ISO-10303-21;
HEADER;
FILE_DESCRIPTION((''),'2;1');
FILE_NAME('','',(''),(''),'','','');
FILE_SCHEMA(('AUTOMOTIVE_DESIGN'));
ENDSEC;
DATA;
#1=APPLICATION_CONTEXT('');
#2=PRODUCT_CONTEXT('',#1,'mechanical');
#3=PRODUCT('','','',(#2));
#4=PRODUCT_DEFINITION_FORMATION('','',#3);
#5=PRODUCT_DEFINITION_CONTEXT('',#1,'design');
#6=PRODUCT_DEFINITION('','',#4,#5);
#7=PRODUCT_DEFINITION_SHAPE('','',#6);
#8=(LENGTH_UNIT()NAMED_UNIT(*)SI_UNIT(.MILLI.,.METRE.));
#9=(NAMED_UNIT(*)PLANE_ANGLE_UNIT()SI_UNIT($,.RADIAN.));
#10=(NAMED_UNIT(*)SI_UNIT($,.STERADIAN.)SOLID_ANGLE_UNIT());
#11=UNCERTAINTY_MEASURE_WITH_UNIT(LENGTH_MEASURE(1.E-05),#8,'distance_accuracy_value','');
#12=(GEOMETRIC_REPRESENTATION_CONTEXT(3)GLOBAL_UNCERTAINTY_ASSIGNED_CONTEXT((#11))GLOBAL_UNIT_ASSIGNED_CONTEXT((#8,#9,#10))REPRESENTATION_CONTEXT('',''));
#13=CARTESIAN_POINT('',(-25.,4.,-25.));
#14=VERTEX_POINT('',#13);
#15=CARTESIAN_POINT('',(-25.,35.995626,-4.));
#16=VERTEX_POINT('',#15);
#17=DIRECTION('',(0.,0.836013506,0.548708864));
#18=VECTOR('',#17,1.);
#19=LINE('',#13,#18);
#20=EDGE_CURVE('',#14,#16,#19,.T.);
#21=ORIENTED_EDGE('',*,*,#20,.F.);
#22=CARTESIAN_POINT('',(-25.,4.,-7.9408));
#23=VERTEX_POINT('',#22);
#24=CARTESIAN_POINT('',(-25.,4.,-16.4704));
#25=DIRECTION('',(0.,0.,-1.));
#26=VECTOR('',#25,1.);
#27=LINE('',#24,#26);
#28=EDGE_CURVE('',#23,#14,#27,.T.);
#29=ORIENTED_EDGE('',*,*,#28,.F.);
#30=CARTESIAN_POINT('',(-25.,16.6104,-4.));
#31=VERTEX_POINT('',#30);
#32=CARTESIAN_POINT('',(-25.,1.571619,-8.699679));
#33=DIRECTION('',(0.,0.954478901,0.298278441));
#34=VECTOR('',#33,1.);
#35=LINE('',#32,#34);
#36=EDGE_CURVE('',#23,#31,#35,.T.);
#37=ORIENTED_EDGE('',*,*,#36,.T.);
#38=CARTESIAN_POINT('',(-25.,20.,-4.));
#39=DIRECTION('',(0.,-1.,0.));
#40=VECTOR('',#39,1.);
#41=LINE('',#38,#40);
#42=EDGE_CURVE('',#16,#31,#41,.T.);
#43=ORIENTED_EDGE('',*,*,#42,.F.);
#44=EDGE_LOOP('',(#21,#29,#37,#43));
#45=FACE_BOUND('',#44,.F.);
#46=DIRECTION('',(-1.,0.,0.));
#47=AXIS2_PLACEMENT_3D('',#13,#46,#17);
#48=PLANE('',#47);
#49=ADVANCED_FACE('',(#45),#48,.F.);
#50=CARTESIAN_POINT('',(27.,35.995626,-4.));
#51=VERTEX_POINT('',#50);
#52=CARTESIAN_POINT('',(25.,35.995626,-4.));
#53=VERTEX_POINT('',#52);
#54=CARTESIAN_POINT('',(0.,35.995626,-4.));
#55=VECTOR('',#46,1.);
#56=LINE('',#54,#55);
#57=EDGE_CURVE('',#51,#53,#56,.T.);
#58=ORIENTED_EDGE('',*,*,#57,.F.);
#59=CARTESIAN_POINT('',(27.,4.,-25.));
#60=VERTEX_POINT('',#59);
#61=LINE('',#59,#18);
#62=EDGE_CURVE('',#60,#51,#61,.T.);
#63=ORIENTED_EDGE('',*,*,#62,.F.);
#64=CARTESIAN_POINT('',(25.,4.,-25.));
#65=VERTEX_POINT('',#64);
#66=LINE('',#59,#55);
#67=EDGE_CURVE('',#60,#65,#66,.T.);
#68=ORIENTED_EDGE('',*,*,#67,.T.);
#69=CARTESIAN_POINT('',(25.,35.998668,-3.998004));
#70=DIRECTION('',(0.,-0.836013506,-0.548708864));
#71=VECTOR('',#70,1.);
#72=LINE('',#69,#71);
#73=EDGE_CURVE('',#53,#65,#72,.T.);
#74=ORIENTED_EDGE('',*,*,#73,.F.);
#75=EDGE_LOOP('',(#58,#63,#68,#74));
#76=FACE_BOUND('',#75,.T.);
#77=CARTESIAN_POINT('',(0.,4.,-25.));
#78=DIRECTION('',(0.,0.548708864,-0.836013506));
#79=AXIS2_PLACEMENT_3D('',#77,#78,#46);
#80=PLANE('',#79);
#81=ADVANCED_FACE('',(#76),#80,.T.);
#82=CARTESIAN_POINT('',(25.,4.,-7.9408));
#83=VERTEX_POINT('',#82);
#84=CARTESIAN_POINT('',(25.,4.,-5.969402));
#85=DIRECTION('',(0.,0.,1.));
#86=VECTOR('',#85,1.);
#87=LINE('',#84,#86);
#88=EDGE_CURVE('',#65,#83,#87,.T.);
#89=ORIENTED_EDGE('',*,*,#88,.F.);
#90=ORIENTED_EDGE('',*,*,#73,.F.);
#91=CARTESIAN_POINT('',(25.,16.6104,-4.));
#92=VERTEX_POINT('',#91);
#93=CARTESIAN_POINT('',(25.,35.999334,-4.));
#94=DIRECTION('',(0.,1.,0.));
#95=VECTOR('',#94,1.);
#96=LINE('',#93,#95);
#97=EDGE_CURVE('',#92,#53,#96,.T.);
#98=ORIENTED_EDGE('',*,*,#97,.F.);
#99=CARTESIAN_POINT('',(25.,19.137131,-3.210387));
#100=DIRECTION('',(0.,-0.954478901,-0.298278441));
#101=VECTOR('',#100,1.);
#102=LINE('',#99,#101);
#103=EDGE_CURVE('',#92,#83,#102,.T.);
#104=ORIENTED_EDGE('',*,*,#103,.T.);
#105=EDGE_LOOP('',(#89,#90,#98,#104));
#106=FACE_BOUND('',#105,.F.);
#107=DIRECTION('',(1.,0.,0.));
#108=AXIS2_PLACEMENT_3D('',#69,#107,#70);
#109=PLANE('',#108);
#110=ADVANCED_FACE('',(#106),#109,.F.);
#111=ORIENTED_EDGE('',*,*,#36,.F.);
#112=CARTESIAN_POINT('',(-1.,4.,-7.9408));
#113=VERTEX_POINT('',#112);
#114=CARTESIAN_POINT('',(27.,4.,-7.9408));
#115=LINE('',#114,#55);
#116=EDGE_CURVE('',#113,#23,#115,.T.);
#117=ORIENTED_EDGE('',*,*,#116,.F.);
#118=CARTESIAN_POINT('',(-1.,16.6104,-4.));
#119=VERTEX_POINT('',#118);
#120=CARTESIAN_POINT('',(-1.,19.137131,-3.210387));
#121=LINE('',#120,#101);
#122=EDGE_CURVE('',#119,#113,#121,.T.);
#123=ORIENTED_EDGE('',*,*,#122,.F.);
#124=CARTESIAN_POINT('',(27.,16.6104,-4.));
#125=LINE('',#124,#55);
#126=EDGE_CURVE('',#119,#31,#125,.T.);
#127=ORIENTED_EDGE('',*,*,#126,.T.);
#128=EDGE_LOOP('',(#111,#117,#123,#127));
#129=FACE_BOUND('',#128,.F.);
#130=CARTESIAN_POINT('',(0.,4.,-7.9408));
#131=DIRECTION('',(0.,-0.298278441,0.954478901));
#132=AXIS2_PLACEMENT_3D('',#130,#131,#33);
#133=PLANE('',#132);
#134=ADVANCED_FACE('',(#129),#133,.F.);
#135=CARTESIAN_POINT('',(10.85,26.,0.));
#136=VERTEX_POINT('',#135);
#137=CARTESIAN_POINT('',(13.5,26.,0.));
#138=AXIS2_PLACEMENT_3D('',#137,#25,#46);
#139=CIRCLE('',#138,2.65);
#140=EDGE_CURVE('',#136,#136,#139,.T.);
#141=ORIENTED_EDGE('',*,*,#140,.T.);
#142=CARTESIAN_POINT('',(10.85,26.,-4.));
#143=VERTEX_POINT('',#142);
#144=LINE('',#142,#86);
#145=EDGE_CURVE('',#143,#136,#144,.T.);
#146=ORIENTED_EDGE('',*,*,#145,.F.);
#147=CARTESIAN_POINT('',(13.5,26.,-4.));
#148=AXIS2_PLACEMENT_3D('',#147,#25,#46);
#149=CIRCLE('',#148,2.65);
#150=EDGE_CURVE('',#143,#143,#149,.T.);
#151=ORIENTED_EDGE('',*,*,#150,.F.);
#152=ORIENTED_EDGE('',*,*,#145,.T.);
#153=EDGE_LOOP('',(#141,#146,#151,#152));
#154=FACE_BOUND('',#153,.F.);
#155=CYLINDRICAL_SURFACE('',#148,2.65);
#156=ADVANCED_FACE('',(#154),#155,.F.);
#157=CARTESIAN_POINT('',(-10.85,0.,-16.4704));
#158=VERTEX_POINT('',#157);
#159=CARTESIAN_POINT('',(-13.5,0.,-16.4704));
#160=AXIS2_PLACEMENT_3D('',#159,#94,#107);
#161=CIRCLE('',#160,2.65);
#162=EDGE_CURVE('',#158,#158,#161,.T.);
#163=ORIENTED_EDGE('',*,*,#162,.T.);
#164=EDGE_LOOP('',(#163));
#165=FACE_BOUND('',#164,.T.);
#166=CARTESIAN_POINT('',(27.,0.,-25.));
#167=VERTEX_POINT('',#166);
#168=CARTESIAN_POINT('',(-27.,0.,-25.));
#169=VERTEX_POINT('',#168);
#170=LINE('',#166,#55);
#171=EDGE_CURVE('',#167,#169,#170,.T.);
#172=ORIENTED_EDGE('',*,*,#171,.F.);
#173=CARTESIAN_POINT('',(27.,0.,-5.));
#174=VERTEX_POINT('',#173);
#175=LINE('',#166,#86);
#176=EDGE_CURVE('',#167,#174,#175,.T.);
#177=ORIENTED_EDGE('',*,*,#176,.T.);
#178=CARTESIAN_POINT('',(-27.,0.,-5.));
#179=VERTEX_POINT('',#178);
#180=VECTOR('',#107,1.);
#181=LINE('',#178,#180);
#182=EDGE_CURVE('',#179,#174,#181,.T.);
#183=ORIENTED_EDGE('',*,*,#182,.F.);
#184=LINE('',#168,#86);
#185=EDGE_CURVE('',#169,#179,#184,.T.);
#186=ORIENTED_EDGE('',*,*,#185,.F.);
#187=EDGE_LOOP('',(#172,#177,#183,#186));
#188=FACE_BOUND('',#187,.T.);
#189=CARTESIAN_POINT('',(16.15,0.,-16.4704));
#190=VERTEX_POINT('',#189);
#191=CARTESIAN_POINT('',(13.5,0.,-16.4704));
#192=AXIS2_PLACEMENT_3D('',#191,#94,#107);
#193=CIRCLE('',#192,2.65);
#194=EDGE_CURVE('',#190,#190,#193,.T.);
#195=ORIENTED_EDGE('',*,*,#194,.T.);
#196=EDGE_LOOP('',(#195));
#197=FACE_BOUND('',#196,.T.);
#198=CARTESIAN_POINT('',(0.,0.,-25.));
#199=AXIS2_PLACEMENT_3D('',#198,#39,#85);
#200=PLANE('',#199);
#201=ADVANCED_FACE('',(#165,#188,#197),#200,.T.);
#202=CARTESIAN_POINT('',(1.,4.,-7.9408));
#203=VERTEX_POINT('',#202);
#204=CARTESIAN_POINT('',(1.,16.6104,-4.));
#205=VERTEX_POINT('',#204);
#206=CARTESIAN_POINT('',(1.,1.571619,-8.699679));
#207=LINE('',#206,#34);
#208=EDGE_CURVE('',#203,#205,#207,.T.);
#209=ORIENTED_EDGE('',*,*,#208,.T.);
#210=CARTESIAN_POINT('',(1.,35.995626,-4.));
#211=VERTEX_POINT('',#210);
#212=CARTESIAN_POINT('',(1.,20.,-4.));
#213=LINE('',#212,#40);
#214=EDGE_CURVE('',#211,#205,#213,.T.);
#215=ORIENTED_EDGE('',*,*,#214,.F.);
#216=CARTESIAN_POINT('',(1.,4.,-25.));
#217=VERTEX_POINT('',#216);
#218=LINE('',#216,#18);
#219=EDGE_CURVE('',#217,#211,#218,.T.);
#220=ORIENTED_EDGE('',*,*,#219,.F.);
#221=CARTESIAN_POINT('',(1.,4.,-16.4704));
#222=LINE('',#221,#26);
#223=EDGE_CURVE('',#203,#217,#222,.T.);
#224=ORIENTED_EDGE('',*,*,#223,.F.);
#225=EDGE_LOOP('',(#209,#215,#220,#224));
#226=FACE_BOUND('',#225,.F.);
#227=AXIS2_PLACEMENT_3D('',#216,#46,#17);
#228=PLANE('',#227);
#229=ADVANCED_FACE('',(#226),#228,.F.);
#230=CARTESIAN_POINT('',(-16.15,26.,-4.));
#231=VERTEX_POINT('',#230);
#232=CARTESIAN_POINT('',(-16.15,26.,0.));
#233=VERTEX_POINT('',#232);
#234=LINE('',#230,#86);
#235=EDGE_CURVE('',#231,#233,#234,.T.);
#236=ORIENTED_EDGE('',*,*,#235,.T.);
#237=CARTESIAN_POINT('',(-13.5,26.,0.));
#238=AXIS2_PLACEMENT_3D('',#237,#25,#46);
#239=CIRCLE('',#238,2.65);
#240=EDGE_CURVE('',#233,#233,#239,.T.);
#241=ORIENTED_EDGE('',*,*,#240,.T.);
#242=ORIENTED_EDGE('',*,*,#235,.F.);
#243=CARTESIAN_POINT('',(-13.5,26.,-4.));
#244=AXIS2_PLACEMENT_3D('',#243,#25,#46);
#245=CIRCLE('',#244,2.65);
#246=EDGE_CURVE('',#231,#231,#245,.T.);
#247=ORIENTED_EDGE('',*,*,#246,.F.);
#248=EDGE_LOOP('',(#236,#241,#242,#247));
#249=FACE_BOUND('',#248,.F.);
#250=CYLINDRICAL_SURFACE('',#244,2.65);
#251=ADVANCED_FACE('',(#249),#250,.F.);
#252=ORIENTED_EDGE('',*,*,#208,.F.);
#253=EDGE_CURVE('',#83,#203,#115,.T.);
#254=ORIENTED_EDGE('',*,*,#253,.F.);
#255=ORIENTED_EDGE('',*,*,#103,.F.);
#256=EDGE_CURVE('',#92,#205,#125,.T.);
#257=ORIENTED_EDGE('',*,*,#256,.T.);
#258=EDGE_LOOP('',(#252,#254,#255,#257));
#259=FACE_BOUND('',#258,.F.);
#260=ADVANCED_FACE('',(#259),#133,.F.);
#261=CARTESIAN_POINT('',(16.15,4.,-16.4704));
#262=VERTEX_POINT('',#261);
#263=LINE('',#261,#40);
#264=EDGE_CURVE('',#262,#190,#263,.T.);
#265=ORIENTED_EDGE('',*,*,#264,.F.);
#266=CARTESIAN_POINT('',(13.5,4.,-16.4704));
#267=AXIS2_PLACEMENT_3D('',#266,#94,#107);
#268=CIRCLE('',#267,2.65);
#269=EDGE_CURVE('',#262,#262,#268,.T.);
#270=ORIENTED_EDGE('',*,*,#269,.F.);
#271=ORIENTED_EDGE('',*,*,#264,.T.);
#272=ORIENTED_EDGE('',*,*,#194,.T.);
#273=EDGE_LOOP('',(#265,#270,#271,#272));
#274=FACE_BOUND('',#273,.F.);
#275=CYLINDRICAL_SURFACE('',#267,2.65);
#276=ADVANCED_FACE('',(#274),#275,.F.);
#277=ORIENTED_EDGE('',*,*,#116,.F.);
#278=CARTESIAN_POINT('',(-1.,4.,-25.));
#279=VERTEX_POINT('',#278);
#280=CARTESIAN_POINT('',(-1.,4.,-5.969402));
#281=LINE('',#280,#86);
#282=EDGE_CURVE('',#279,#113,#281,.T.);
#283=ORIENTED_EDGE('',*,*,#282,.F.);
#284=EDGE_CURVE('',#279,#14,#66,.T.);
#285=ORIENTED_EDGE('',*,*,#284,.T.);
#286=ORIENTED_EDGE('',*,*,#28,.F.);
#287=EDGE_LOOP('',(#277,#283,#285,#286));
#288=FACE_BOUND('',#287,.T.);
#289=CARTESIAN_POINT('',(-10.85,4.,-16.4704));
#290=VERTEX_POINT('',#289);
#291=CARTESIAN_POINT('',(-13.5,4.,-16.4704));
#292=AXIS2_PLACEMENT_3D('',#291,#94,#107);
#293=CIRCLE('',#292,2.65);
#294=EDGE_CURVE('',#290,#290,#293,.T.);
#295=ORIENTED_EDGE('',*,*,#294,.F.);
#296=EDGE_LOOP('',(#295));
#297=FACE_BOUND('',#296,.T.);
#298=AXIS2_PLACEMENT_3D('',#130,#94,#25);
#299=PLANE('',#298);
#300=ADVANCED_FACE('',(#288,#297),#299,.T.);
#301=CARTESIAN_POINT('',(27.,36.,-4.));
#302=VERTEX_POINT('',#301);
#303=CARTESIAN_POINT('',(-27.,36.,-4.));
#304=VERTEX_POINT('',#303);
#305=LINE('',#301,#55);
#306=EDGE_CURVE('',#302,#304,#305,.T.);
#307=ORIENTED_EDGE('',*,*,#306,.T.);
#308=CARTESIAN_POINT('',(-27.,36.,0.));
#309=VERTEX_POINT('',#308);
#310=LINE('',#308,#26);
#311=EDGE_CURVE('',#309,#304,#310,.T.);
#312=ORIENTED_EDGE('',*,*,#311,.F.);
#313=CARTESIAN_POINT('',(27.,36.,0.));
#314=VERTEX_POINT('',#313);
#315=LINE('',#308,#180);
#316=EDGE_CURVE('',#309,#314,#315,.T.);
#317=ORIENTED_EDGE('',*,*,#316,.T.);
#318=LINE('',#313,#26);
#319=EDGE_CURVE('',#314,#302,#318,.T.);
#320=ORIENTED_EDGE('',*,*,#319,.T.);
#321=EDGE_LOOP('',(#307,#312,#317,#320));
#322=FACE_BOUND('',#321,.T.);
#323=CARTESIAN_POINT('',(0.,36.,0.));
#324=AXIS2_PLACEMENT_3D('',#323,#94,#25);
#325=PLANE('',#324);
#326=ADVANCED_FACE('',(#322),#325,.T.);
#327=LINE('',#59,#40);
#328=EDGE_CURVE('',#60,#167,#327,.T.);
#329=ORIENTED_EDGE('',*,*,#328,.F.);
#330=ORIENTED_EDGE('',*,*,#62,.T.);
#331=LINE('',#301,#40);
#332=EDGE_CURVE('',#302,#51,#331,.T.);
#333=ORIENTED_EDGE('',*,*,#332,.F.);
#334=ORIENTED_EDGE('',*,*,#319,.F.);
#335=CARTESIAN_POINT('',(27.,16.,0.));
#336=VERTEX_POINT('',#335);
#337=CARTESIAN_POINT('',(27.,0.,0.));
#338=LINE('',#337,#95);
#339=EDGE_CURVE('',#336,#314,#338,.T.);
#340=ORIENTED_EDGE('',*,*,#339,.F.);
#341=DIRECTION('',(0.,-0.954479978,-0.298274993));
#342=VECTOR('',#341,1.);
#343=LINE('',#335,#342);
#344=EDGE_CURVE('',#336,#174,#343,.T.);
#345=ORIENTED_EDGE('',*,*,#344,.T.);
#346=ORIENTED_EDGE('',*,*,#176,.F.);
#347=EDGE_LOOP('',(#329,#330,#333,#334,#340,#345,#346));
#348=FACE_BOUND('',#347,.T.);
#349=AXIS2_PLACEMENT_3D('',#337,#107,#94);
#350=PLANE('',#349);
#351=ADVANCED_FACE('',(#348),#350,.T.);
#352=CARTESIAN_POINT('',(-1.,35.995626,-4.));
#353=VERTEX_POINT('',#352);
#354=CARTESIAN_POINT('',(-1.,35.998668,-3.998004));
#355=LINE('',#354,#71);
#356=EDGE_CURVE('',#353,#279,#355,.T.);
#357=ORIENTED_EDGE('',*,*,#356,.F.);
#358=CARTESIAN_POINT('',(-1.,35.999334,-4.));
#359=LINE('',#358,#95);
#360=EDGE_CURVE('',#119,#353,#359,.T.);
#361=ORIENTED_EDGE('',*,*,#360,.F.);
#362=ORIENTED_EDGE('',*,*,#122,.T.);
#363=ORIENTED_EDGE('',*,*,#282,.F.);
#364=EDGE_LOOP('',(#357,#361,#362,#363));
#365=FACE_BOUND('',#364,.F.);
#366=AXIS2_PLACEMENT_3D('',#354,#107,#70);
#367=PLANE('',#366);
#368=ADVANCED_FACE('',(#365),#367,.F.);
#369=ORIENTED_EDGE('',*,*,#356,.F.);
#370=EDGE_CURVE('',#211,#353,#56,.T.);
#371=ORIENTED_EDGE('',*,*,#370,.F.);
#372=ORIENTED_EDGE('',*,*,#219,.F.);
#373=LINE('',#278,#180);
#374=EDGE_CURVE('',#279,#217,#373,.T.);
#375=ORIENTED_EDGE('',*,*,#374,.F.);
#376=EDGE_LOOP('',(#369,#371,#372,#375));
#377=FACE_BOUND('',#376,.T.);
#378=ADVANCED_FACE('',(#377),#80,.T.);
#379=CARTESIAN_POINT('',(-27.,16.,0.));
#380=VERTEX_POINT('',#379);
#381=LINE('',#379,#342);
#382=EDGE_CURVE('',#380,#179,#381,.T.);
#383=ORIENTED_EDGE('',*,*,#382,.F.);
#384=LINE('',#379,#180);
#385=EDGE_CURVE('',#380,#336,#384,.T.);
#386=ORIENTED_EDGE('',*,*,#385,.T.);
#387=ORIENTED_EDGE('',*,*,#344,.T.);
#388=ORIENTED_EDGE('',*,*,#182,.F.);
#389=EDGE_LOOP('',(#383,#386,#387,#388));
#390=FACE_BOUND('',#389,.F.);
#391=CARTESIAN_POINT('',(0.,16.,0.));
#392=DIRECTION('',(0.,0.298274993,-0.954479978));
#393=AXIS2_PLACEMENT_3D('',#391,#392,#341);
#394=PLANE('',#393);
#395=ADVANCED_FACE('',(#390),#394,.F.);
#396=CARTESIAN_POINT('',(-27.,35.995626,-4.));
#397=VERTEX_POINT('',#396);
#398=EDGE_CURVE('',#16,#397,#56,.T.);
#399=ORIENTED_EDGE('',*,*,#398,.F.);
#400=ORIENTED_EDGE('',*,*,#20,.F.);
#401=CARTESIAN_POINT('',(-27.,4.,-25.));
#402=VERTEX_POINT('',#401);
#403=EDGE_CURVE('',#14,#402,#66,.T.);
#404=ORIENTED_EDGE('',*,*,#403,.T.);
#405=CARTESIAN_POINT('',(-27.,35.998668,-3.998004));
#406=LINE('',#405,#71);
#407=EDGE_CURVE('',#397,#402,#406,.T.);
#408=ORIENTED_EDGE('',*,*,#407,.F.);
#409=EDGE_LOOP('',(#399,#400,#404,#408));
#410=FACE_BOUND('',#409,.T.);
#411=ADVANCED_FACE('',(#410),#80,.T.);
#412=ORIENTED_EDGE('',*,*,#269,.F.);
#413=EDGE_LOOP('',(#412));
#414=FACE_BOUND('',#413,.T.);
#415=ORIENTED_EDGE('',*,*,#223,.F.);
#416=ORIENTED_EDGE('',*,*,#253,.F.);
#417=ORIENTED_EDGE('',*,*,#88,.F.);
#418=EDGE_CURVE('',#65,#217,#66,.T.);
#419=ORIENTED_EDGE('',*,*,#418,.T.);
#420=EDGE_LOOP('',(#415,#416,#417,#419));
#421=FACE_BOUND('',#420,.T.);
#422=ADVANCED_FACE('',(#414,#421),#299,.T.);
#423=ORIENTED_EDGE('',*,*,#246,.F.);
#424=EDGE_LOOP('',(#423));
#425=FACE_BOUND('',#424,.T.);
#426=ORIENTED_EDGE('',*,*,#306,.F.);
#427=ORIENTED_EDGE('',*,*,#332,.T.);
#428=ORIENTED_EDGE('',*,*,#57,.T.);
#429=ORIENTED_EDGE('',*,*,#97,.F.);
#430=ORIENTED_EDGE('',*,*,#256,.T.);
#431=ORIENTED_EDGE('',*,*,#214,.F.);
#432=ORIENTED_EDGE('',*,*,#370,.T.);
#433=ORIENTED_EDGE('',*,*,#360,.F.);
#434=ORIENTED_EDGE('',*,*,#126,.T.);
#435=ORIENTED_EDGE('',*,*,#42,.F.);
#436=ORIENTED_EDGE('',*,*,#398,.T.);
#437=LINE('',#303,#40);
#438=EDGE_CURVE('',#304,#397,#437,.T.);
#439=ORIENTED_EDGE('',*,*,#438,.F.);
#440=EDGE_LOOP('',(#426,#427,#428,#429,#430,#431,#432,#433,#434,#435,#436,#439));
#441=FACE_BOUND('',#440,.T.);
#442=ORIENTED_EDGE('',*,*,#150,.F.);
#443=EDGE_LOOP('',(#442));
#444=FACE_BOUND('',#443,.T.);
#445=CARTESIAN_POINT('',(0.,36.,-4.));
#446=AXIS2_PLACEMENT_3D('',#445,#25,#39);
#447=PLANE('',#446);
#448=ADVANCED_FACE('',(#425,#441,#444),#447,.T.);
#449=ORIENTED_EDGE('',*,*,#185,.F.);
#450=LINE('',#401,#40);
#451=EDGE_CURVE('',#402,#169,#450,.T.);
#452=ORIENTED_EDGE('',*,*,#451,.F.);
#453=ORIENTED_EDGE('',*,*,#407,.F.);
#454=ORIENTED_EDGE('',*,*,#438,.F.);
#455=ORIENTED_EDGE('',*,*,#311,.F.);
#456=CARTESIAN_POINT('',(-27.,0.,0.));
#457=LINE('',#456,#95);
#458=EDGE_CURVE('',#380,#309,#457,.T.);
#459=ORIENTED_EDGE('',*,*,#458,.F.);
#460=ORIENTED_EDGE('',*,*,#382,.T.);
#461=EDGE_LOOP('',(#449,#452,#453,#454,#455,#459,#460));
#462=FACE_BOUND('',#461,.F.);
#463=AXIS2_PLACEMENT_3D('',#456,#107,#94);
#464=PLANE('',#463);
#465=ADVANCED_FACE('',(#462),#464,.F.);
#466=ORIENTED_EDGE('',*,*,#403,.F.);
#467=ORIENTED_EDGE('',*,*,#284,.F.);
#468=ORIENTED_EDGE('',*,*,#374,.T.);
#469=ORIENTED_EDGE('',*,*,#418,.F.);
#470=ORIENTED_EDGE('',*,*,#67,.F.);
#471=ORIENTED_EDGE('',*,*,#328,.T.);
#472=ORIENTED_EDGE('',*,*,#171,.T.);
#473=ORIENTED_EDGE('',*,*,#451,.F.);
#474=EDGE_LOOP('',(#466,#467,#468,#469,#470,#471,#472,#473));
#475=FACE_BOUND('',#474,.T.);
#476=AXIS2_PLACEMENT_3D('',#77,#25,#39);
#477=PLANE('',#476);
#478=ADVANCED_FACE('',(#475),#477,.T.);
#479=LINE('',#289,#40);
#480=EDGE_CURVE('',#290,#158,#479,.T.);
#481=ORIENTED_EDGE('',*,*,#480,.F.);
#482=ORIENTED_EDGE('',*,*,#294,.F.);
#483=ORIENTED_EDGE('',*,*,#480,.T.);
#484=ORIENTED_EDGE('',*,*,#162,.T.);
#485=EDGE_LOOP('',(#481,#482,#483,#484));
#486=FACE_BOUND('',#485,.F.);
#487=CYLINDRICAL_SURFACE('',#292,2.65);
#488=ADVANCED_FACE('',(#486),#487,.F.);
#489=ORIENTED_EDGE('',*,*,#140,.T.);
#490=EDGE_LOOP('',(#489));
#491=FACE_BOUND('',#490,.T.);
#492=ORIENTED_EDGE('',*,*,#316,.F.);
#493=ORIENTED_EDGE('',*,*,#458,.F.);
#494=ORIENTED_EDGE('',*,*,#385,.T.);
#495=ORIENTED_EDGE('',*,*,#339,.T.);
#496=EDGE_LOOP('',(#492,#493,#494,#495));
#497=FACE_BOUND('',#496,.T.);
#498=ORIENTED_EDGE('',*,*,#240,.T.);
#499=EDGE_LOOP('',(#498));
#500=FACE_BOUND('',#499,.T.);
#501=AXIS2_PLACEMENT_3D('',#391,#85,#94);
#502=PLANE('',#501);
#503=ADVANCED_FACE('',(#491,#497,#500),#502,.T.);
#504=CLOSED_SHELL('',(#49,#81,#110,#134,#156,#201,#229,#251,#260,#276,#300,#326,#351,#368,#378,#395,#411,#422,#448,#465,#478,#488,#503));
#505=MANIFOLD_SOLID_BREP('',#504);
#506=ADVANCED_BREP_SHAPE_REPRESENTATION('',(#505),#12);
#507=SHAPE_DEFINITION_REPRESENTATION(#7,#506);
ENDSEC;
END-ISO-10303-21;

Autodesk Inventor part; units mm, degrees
ref_plane "YZ Plane" through (0, 0, 0) normal (1, 0, 0) x (0, 1, 0)
ref_plane "XZ Plane" through (0, 0, 0) normal (0, 1, 0) x (-1, 0, 0)
sketch "Sketch7" plane through (0, 0, 0) normal (1, 0, 0) x (0, 1, 0)
  line L0 (36, 0) -> (36, -4)
  line L1 (36, -4) -> (4, -25)
  line L2 (4, -25) -> (0, -25)
  line L3 (0, -25) -> (0, 0)
  line L4 (0, 0) -> (36, 0)
  line L5 (36, -4) -> (16.6104, -4)
  line L6 (4, -7.9408) -> (4, -25)
  line L7 (16, 0) -> (0, -5)
  line L8 (4, -7.9408) -> (16.6104, -4)
  dimension "d35" = 4
  dimension "d36" = 25
  dimension "d37" = 36
  dimension "d43" = 4
  dimension "d44" = 20
  dimension "d45" = 20
extrude "Extrusion6" add sketch "Sketch7" along normal mid plane 54 contours L0 L5 L8 L6 L2 L3 L7 L4
sketch "Sketch8" plane through (27, 36, -4) normal (0, 0, -1) x (-1, 0, 0)
  line L0 (0, -10) -> (13.5, -10) construction
  line L1 (13.5, -10) -> (27, -10) construction
  line L2 (27, -10) -> (40.5, -10) construction
  line L3 (40.5, -10) -> (54, -10) construction
  circle A0 centre (13.5, -10) radius 2.65
  circle A1 centre (40.5, -10) radius 2.65
  line L4 (0, -19.3896) -> (0, 0) projected
  line L5 (54, 0) -> (54, -19.3896) projected
  line L6 (54, 0) -> (0, 0) projected
  point P0 (27, -36)
  dimension "d46" = 5.3
  dimension "d55" = 10
extrude "Extrusion7" cut sketch "Sketch8" against normal through all
sketch "Sketch9" plane through (-27, 4, -7.9408) normal (0, 1, 0) x (1, 0, 0)
  line L0 (54, 17.0592) -> (54, 0) projected
  line L1 (54, 8.5296) -> (40.5, 8.5296) construction
  line L2 (40.5, 8.5296) -> (27, 8.5296) construction
  line L3 (27, 8.5296) -> (13.5, 8.5296) construction
  line L4 (13.5, 8.5296) -> (0, 8.5296) construction
  line L5 (0, 0) -> (0, 17.0592) projected
  circle A0 centre (40.5, 8.5296) radius 2.65
  circle A1 centre (13.5, 8.5296) radius 2.65
  point P0 (27, -7.9408)
  dimension "d49" = 5.3
extrude "Extrusion8" cut sketch "Sketch9" against normal blind 10
ref_plane "Work Plane4" through (0, 4, -25) normal (0, 0.5487, -0.836) x (-1, 0, 0)
sketch "Sketch10" plane through (0, 4, -25) normal (0, 0.5487, -0.836) x (-1, 0, 0)
  line L0 (-27, 38.2753) -> (-25, 38.2753)
  line L1 (-25, 38.2753) -> (-25, 0)
  line L2 (-25, 0) -> (-27, 0)
  line L3 (-27, 0) -> (-27, 38.2753)
  line L4 (27, 0) -> (25, 0)
  line L5 (25, 0) -> (25, 38.2753)
  line L6 (25, 38.2753) -> (27, 38.2753)
  line L7 (27, 38.2753) -> (27, 0)
  line L8 (-1, 38.2753) -> (1, 38.2753)
  line L9 (1, 38.2753) -> (1, 0)
  line L10 (1, 0) -> (-1, 0)
  line L11 (-1, 0) -> (-1, 38.2753)
  line L12 (27, 38.2753) -> (-27, 38.2753) projected
  line L13 (-27, 0) -> (27, 0) projected
  point P0 (0, 10.3722)
  point P1 (0, 38.2753)
  dimension "d52" = 2
extrude "Extrusion9" add sketch "Sketch10" against normal up to next contours L0 L1 L2 L3 | L8 L9 L10 L11 | L6 L7 L4 L5
equation "\"BendRadius\" = Thickness"
equation "\"BendReliefWidth\" = Thickness"
equation "\"BendReliefDepth\" = 0.5 * Thickness"
equation "\"CornerReliefSize\" = 4 * Thickness"
equation "\"MinimumRemnant\" = 2 * Thickness"
equation "\"TransitionRadius\" = BendRadius"
equation "\"JacobiRadiusSize\" = Thickness"
equation "\"GapSize\" = Thickness"
equation "\"Thickness\" = 0.5"
properties part number "Soporte Cajas" material "PET Plastic"
